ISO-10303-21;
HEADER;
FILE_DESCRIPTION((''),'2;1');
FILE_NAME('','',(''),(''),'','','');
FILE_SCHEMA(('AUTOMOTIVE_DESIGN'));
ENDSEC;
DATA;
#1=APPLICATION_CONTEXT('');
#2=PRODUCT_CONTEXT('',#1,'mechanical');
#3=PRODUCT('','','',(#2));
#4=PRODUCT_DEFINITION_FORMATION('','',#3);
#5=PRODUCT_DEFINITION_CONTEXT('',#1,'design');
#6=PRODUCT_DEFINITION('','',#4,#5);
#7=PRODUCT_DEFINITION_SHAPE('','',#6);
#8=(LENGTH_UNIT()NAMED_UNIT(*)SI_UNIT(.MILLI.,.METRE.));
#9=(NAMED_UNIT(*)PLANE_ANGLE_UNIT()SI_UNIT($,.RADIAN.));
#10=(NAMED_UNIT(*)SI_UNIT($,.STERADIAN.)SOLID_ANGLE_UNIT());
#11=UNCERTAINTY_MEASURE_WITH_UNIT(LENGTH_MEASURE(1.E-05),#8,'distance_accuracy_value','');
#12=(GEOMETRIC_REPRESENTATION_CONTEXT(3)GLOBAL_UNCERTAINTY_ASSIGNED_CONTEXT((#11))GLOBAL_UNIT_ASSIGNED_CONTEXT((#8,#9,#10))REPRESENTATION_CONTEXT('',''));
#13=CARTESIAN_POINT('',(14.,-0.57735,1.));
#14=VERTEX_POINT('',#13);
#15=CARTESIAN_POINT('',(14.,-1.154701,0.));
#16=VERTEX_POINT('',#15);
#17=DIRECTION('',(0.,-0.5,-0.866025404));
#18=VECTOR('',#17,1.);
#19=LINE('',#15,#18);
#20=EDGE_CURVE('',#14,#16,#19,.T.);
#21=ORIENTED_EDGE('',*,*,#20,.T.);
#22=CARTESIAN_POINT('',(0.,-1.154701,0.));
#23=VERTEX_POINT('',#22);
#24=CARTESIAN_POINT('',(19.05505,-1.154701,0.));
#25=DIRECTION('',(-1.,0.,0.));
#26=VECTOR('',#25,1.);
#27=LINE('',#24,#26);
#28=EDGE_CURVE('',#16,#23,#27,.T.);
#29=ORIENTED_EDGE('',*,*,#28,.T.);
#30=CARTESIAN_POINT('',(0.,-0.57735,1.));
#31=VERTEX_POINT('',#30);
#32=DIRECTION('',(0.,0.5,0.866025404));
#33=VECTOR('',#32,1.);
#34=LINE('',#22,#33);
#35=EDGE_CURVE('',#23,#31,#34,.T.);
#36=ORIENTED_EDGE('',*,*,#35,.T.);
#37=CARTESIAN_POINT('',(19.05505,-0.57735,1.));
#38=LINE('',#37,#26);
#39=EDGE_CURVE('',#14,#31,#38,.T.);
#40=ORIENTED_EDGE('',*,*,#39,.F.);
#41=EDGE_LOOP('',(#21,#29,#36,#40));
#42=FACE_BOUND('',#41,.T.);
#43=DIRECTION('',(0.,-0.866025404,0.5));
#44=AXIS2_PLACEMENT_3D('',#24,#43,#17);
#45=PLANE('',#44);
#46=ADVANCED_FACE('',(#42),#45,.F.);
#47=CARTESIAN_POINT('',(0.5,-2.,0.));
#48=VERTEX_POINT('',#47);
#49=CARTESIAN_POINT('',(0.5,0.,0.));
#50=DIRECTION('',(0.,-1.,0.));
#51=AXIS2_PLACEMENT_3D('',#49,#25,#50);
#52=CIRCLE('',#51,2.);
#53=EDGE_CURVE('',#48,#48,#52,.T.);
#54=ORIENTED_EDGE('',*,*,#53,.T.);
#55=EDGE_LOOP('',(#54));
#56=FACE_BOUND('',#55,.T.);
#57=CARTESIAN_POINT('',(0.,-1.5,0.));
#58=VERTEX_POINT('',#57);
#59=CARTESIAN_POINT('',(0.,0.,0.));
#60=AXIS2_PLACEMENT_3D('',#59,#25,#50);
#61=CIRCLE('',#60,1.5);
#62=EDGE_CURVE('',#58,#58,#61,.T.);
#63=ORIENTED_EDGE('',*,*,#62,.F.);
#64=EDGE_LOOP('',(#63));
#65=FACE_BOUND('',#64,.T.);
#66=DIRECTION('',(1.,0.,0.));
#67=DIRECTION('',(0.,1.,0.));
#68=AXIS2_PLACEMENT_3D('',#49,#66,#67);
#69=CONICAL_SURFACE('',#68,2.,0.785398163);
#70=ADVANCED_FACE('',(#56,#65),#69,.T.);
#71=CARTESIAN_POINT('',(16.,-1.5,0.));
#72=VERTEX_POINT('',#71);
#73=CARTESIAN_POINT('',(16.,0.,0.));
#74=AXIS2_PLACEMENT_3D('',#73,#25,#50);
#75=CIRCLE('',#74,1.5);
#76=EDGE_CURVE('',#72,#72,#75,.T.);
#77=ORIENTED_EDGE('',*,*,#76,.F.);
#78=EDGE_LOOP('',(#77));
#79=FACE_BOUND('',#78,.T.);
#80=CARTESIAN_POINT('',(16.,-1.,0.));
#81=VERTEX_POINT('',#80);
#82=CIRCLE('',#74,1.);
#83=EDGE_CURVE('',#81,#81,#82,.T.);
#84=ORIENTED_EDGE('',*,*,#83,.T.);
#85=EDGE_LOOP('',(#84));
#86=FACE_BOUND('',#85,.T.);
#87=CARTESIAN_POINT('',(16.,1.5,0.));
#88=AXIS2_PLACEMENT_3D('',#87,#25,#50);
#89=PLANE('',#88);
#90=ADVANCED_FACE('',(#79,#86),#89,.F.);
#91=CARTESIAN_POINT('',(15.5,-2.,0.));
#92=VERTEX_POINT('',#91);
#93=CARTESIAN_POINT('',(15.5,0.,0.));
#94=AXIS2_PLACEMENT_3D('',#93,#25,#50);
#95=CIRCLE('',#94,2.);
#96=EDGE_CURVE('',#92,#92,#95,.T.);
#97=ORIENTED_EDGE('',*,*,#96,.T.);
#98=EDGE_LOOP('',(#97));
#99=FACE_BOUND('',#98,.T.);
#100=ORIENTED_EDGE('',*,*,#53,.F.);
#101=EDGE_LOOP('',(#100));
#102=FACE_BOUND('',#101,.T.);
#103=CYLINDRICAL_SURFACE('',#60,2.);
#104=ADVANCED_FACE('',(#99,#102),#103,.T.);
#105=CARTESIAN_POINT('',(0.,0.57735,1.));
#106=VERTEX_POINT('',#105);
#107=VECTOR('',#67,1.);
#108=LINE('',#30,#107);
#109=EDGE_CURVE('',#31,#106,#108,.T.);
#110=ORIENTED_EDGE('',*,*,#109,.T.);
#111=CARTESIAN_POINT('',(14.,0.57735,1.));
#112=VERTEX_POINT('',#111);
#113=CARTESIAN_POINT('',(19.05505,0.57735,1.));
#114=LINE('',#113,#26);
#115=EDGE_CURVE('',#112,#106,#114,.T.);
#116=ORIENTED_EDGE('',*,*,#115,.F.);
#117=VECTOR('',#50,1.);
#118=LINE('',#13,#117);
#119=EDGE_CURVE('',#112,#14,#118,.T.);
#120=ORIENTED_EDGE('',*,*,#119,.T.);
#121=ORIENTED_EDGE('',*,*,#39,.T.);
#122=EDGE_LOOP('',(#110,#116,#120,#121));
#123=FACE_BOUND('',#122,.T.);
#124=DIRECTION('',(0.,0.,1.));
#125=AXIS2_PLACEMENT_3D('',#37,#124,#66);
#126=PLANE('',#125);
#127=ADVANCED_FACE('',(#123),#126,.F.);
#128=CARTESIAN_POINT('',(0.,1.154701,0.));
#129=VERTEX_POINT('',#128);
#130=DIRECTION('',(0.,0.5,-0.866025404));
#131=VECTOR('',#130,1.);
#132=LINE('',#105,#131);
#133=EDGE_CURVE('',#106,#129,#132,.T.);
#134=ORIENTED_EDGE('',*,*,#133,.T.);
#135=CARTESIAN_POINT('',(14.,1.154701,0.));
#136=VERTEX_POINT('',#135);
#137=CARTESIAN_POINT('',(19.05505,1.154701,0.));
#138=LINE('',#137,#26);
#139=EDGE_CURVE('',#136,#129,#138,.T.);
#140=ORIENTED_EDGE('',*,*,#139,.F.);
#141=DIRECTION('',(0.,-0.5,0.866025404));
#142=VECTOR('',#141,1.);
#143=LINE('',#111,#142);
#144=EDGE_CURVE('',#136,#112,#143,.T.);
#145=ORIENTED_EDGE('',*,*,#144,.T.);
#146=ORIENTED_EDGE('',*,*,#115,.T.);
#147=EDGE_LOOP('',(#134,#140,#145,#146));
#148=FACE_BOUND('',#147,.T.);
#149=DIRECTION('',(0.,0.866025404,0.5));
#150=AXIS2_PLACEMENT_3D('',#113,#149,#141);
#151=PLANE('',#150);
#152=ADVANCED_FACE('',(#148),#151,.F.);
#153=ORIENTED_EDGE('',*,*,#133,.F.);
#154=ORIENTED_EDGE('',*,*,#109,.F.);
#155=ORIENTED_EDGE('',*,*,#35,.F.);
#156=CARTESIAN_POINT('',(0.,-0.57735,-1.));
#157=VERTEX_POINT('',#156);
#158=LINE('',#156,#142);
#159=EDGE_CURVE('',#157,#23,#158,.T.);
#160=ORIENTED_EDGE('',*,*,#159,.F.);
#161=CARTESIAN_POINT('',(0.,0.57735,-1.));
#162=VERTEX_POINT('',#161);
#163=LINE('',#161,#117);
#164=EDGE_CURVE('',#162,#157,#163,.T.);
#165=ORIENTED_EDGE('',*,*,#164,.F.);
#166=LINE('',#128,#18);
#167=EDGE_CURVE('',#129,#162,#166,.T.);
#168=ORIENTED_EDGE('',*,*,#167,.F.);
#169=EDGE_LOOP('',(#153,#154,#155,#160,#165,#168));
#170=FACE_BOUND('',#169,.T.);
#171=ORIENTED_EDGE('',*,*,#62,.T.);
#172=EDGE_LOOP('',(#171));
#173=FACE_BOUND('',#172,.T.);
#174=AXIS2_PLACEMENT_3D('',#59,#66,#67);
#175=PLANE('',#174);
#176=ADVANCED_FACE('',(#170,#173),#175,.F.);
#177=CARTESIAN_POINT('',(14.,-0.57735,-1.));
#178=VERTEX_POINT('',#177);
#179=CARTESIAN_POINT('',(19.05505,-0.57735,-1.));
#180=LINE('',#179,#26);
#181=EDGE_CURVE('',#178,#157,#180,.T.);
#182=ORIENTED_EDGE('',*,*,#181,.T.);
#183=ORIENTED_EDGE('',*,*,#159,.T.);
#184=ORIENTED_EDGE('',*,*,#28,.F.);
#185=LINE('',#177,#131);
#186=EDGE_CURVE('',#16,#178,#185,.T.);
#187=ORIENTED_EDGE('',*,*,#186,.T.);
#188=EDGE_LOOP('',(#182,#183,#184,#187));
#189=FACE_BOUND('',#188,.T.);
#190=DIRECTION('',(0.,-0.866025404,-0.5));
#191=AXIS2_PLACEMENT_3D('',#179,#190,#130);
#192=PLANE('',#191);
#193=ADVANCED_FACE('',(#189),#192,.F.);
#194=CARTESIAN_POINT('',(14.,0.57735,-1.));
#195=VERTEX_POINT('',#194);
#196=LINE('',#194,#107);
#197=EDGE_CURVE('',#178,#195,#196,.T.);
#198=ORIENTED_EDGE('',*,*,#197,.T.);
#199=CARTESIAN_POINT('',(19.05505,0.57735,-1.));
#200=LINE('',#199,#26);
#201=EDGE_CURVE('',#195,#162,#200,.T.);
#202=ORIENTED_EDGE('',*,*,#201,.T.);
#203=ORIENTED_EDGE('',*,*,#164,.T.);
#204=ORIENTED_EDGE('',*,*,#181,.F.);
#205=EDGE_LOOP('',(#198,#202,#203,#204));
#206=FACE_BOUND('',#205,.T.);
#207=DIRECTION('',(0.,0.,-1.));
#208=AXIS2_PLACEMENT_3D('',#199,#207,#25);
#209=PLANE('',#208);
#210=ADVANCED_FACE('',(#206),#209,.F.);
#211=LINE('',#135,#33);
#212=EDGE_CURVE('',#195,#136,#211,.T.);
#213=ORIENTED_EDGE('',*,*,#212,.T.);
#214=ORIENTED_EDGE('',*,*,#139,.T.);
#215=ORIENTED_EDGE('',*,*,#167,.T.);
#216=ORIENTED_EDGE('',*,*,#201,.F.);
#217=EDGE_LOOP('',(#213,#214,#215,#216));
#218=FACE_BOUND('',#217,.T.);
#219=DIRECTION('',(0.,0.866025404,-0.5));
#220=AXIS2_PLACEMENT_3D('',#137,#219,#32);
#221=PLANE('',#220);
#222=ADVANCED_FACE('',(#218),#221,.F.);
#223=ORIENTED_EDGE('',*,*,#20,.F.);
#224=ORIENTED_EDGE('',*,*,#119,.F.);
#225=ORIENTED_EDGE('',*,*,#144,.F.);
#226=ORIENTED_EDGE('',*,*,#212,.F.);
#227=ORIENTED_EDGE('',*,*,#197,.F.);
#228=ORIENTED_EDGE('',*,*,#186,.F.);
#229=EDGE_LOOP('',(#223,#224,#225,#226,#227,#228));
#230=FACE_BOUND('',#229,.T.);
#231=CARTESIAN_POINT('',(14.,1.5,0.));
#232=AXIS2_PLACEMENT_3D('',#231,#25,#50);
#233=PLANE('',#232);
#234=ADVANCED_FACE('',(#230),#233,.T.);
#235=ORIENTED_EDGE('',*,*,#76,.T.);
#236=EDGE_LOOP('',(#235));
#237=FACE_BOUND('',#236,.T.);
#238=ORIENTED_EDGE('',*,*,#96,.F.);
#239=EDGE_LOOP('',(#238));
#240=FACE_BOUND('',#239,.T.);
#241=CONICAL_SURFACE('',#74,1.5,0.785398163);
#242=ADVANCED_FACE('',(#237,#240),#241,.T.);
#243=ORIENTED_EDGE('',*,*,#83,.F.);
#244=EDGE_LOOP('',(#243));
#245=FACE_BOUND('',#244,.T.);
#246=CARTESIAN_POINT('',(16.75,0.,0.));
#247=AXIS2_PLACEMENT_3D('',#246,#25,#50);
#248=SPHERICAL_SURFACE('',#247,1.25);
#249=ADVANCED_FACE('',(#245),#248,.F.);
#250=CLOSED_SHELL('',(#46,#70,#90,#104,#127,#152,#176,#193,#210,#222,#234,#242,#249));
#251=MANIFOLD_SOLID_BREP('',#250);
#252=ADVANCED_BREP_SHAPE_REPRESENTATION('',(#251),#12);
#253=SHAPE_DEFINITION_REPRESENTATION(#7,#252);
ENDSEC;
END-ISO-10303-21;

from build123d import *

# Parameters (mm, degrees)
CUT_EXTRUDE1_DEPTH = 14


with BuildPart() as part:
    # Sketch1 → Revolve1 (revolve)
    with BuildSketch(Plane.XY, mode=Mode.PRIVATE) as revolve1_sk:
        with BuildLine():
            Line((0, 0), (0, 1.5))
            Line((0, 1.5), (0.5, 2))
            Line((0.5, 2), (15.5, 2))
            Line((15.5, 2), (16, 1.5))
            Line((16, 1.5), (16, 1))
            ThreePointArc((16, 1), (15.631966011, 0.559016994), (15.5, 0))
            Line((15.5, 0), (0, 0))
        make_face()
    revolve(revolve1_sk.sketch.rotate(Axis((0, 0, 0), (1, 0, 0)), 180), axis=Axis((0, 0, 0), (1, 0, 0)))

    # Sketch2 → Cut-Extrude1 (cut)
    with BuildSketch(Plane.ZY):
        Polygon((0, 1.154700538), (-1, 0.577350269), (-1, -0.577350269), (0, -1.154700538), (1, -0.577350269), (1, 0.577350269), align=None)
    extrude(amount=-CUT_EXTRUDE1_DEPTH, mode=Mode.SUBTRACT)


solid = part.part
